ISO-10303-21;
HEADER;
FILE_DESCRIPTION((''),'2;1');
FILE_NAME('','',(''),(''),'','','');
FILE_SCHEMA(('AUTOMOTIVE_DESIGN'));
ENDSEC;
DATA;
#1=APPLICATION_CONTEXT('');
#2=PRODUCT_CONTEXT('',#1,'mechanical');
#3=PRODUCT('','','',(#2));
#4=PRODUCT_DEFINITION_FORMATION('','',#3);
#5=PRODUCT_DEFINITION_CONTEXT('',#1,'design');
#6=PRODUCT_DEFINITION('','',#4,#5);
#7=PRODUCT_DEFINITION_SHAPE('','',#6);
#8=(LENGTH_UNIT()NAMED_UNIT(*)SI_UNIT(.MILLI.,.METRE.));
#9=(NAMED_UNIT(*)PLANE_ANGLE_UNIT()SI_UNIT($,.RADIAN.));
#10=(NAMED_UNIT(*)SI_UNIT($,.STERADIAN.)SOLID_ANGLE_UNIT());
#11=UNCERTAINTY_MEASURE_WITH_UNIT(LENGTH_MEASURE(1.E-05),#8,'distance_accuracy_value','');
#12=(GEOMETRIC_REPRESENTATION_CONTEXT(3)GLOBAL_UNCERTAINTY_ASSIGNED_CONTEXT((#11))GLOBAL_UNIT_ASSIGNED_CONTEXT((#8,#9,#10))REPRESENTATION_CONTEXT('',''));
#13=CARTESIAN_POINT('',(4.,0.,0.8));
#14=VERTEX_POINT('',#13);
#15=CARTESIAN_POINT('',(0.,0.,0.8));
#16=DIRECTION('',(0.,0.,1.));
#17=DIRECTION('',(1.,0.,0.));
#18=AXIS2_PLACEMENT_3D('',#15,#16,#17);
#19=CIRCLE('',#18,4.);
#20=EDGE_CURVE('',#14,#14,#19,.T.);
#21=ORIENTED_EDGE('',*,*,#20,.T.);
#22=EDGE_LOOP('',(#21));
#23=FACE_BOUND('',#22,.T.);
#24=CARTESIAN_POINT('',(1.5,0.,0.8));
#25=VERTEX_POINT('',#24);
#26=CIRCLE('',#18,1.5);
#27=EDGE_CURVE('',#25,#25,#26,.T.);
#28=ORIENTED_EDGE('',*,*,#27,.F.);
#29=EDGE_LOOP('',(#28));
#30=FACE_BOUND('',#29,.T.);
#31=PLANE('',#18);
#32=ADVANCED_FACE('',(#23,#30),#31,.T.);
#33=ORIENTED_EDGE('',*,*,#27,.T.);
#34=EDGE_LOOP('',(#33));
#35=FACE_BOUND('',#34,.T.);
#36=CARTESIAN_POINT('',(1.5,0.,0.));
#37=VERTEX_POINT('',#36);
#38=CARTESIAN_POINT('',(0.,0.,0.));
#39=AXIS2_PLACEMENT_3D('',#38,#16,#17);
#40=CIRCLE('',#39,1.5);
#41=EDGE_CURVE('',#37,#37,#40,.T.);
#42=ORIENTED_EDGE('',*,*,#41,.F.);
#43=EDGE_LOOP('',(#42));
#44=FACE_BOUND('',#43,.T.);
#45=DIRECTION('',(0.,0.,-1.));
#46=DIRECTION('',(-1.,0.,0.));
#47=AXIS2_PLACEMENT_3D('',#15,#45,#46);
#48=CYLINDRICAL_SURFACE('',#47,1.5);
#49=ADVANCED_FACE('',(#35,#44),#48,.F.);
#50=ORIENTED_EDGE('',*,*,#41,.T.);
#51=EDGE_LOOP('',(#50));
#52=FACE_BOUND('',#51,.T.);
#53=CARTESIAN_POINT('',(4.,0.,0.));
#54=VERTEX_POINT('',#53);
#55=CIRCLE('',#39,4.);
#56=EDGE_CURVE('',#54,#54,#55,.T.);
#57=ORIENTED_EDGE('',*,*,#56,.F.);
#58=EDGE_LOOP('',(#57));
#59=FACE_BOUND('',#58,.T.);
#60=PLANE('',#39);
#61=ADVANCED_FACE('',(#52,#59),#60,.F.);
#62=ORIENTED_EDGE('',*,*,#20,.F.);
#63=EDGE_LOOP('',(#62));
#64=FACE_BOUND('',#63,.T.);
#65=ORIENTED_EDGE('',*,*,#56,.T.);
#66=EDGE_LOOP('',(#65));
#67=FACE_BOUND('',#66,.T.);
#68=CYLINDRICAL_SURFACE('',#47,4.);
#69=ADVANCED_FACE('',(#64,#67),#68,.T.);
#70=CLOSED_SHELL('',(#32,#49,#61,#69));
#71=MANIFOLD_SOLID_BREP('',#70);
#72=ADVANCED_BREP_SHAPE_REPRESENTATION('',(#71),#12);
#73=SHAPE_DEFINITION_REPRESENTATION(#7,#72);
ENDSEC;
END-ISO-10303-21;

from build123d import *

# Parameters (mm, degrees)
ESQUISSE1_R        = 4
ESQUISSE1_R_2      = 1.5
BOSS_EXTRU_1_DEPTH = 0.8


with BuildPart() as part:
    # Esquisse1 → Boss.-Extru.1 (new body)
    with BuildSketch(Plane.XY):
        Circle(ESQUISSE1_R)
        Circle(ESQUISSE1_R_2, mode=Mode.SUBTRACT)
    extrude(amount=BOSS_EXTRU_1_DEPTH)


solid = part.part
